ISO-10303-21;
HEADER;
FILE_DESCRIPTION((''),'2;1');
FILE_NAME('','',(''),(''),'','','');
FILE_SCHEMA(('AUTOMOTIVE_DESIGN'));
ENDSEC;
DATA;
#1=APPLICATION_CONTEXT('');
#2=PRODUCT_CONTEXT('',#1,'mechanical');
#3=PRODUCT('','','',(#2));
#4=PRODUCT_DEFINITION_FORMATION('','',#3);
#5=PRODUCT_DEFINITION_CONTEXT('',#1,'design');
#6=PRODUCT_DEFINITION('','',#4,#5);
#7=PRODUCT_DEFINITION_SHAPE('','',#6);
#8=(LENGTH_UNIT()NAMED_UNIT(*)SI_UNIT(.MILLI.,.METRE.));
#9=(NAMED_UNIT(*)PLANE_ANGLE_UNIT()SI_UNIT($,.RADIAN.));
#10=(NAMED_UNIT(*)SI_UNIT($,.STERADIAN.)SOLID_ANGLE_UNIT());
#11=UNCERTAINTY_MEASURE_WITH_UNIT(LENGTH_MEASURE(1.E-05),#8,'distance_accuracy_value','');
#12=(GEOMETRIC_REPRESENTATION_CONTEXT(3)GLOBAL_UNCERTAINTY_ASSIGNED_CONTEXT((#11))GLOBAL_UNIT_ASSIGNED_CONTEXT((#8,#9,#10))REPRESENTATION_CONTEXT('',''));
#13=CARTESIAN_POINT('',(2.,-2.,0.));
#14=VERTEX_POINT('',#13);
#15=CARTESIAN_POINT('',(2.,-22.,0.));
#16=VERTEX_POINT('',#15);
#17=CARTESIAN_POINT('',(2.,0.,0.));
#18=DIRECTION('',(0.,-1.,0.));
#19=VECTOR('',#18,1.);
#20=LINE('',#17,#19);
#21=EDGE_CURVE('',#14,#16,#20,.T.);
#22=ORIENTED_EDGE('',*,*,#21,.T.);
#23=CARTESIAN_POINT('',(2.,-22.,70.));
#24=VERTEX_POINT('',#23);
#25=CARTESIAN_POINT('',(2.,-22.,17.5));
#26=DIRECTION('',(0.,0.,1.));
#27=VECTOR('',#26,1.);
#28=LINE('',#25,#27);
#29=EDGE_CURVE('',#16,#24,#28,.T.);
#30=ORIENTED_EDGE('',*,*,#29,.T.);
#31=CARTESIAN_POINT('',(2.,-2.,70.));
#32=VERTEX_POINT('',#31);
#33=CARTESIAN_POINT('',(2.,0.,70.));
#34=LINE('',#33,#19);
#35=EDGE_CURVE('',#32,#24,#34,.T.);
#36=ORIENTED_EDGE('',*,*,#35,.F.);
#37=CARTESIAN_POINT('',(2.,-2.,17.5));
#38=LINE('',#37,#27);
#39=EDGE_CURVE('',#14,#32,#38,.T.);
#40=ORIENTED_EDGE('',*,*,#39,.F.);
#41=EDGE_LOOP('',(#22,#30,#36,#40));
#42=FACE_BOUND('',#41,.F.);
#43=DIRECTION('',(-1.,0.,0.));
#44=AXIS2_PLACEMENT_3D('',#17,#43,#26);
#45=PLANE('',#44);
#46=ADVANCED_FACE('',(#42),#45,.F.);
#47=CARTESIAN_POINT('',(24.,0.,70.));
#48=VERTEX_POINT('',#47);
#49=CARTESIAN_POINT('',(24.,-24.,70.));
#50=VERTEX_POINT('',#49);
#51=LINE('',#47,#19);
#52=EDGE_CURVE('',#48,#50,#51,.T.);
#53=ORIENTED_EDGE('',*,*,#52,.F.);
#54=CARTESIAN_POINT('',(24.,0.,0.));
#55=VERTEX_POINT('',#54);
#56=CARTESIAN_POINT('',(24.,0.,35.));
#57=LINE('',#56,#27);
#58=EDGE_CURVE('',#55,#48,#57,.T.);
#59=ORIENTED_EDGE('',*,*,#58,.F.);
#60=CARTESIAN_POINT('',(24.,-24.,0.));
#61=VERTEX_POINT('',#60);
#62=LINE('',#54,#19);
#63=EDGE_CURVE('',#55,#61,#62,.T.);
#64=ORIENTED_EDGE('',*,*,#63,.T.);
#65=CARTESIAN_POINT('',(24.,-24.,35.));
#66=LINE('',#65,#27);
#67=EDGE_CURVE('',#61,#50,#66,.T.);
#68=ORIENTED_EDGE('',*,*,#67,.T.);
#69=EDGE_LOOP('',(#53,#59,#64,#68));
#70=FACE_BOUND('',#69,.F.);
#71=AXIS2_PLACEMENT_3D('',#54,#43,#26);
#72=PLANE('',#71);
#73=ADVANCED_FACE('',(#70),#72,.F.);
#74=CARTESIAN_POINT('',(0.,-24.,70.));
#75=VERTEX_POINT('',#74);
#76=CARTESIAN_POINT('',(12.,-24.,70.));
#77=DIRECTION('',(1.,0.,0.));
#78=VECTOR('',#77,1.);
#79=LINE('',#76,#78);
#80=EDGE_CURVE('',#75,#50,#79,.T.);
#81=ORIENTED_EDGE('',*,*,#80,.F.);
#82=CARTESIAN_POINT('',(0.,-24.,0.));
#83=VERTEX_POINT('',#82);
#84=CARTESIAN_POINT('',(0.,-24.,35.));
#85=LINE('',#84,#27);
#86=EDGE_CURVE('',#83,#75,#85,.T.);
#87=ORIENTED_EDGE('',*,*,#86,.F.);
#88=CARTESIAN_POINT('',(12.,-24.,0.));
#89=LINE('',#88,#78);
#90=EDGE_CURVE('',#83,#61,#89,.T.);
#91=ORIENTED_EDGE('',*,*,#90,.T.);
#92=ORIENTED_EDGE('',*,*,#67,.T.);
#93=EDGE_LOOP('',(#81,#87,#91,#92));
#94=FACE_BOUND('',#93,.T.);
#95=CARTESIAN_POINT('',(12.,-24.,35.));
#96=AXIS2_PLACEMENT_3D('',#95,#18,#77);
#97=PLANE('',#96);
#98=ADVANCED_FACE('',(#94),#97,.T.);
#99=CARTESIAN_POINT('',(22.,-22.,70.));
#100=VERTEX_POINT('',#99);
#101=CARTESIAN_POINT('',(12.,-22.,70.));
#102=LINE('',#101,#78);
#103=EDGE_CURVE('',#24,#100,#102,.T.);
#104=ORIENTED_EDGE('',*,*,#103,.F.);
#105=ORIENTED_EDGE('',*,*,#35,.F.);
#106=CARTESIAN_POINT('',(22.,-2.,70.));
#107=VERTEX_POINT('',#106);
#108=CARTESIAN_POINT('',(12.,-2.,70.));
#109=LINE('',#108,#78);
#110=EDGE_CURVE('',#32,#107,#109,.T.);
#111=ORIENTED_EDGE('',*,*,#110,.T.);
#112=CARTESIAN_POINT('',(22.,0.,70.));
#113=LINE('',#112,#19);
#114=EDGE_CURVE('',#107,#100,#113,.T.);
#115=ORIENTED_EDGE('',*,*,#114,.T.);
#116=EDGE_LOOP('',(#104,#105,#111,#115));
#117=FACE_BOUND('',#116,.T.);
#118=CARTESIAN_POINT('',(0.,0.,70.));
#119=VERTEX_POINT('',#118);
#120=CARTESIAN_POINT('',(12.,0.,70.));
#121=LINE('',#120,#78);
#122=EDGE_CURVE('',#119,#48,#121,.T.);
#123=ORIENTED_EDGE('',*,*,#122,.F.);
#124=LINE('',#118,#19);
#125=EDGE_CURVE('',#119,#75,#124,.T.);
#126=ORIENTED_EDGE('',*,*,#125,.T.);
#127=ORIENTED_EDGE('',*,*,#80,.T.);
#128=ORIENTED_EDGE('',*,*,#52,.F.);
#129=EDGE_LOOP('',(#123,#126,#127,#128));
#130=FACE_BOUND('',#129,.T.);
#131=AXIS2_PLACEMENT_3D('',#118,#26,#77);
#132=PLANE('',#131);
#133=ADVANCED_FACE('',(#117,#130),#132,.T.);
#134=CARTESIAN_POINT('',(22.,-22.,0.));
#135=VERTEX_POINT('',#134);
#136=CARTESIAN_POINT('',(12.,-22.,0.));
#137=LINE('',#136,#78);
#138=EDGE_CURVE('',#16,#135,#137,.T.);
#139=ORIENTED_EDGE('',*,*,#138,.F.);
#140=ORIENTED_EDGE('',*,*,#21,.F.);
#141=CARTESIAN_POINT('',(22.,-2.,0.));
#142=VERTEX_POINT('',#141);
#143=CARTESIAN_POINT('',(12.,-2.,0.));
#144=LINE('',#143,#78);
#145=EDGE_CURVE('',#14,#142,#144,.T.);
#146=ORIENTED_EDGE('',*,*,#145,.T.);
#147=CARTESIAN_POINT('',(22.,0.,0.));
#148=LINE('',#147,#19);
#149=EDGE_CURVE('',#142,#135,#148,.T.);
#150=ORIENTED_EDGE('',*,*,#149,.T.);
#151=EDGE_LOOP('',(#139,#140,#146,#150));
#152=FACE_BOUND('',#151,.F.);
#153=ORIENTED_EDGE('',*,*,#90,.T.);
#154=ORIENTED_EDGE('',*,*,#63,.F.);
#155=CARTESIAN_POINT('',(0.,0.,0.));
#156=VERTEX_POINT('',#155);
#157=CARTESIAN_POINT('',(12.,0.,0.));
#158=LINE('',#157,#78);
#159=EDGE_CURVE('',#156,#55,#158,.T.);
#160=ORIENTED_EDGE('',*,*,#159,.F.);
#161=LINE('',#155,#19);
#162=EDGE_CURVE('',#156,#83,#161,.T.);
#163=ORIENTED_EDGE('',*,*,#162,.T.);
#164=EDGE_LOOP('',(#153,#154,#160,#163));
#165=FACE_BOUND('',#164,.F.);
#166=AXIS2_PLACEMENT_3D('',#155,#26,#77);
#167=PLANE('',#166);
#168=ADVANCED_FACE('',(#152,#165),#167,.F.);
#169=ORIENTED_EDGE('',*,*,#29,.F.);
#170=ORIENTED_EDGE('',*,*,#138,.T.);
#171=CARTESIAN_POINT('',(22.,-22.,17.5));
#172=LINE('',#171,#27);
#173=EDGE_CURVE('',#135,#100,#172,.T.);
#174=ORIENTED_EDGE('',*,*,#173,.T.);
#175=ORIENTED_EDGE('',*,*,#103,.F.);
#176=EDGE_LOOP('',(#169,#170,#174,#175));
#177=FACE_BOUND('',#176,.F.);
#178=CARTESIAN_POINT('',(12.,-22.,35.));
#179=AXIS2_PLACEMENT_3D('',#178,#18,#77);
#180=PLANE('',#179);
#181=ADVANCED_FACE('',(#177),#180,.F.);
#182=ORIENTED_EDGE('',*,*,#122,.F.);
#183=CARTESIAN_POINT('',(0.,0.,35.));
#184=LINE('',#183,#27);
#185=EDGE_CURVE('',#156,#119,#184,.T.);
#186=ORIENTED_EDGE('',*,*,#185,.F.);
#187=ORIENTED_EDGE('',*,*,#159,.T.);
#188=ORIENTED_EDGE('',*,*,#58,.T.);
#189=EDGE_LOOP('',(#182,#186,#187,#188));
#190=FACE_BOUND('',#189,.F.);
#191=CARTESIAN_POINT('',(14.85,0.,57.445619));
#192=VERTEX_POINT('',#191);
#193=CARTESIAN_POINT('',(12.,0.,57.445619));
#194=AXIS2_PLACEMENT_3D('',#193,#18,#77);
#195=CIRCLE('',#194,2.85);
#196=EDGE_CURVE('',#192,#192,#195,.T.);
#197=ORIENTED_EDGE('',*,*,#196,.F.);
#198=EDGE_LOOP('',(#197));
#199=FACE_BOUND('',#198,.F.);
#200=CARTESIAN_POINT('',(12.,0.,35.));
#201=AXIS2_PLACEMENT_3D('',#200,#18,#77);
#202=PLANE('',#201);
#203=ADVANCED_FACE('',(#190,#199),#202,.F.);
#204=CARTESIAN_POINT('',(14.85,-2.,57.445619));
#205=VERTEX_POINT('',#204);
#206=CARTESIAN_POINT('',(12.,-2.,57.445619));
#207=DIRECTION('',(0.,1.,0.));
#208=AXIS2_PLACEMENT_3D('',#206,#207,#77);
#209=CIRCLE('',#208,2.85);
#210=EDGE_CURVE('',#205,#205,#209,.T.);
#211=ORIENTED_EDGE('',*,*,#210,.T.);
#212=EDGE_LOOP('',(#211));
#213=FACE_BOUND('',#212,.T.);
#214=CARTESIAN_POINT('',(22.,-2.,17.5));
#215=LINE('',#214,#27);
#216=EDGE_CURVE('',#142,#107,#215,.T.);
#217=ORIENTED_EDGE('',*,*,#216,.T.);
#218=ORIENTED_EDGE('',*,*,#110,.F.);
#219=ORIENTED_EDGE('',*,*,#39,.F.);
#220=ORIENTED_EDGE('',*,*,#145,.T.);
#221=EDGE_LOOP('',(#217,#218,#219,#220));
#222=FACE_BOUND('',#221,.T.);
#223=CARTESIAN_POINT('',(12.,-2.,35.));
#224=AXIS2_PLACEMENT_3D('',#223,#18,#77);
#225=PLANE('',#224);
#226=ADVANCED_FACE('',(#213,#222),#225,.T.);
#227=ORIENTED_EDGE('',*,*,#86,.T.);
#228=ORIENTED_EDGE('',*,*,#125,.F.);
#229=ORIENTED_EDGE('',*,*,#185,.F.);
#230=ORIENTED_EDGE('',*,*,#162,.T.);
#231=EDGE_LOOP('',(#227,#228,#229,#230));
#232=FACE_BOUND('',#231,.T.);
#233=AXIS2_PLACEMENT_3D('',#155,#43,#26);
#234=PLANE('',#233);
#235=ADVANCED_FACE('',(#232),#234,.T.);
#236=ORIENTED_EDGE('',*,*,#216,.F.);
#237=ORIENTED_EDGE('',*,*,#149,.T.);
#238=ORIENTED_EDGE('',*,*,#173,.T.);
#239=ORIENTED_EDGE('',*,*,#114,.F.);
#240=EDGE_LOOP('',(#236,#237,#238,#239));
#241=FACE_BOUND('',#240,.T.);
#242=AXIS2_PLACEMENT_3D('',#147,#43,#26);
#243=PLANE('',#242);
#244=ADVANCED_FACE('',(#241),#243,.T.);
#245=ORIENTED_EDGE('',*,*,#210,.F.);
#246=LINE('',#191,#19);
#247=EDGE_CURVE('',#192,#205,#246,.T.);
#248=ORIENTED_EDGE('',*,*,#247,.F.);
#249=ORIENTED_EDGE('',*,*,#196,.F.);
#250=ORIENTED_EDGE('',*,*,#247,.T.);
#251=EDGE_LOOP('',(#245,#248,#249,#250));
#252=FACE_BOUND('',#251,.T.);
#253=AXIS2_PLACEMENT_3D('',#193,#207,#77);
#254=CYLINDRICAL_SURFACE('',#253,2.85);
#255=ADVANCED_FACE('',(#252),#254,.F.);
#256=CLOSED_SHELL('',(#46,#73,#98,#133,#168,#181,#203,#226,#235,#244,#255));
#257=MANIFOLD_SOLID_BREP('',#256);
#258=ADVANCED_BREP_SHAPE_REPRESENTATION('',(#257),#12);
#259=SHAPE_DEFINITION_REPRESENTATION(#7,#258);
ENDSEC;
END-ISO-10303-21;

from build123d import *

# Parameters (mm, degrees)
F0_W     = 24
F0_H     = 70
F1_DEPTH = 24
F2_T     = -2
F3_R     = 2.85
F4_DEPTH = 3


with BuildPart() as f1:
    # F0 (on Front) → F1 (new body)
    with BuildSketch(Plane.XZ):
        with Locations((12, 35)):
            Rectangle(F0_W, F0_H)
    extrude(amount=F1_DEPTH)

    # F2
    f2_openings = [f1.faces().sort_by_distance(p)[0] for p in [
        (12, -12, 70),
        (12, -12, 0),
    ]]
    offset(amount=F2_T, openings=f2_openings)

    # F3 (on Front) → F4 (cut)
    with BuildSketch(Plane.XZ):
        with Locations((12, 57.445619)):
            Circle(F3_R)
    extrude(amount=F4_DEPTH, mode=Mode.SUBTRACT)


solid = f1.part
